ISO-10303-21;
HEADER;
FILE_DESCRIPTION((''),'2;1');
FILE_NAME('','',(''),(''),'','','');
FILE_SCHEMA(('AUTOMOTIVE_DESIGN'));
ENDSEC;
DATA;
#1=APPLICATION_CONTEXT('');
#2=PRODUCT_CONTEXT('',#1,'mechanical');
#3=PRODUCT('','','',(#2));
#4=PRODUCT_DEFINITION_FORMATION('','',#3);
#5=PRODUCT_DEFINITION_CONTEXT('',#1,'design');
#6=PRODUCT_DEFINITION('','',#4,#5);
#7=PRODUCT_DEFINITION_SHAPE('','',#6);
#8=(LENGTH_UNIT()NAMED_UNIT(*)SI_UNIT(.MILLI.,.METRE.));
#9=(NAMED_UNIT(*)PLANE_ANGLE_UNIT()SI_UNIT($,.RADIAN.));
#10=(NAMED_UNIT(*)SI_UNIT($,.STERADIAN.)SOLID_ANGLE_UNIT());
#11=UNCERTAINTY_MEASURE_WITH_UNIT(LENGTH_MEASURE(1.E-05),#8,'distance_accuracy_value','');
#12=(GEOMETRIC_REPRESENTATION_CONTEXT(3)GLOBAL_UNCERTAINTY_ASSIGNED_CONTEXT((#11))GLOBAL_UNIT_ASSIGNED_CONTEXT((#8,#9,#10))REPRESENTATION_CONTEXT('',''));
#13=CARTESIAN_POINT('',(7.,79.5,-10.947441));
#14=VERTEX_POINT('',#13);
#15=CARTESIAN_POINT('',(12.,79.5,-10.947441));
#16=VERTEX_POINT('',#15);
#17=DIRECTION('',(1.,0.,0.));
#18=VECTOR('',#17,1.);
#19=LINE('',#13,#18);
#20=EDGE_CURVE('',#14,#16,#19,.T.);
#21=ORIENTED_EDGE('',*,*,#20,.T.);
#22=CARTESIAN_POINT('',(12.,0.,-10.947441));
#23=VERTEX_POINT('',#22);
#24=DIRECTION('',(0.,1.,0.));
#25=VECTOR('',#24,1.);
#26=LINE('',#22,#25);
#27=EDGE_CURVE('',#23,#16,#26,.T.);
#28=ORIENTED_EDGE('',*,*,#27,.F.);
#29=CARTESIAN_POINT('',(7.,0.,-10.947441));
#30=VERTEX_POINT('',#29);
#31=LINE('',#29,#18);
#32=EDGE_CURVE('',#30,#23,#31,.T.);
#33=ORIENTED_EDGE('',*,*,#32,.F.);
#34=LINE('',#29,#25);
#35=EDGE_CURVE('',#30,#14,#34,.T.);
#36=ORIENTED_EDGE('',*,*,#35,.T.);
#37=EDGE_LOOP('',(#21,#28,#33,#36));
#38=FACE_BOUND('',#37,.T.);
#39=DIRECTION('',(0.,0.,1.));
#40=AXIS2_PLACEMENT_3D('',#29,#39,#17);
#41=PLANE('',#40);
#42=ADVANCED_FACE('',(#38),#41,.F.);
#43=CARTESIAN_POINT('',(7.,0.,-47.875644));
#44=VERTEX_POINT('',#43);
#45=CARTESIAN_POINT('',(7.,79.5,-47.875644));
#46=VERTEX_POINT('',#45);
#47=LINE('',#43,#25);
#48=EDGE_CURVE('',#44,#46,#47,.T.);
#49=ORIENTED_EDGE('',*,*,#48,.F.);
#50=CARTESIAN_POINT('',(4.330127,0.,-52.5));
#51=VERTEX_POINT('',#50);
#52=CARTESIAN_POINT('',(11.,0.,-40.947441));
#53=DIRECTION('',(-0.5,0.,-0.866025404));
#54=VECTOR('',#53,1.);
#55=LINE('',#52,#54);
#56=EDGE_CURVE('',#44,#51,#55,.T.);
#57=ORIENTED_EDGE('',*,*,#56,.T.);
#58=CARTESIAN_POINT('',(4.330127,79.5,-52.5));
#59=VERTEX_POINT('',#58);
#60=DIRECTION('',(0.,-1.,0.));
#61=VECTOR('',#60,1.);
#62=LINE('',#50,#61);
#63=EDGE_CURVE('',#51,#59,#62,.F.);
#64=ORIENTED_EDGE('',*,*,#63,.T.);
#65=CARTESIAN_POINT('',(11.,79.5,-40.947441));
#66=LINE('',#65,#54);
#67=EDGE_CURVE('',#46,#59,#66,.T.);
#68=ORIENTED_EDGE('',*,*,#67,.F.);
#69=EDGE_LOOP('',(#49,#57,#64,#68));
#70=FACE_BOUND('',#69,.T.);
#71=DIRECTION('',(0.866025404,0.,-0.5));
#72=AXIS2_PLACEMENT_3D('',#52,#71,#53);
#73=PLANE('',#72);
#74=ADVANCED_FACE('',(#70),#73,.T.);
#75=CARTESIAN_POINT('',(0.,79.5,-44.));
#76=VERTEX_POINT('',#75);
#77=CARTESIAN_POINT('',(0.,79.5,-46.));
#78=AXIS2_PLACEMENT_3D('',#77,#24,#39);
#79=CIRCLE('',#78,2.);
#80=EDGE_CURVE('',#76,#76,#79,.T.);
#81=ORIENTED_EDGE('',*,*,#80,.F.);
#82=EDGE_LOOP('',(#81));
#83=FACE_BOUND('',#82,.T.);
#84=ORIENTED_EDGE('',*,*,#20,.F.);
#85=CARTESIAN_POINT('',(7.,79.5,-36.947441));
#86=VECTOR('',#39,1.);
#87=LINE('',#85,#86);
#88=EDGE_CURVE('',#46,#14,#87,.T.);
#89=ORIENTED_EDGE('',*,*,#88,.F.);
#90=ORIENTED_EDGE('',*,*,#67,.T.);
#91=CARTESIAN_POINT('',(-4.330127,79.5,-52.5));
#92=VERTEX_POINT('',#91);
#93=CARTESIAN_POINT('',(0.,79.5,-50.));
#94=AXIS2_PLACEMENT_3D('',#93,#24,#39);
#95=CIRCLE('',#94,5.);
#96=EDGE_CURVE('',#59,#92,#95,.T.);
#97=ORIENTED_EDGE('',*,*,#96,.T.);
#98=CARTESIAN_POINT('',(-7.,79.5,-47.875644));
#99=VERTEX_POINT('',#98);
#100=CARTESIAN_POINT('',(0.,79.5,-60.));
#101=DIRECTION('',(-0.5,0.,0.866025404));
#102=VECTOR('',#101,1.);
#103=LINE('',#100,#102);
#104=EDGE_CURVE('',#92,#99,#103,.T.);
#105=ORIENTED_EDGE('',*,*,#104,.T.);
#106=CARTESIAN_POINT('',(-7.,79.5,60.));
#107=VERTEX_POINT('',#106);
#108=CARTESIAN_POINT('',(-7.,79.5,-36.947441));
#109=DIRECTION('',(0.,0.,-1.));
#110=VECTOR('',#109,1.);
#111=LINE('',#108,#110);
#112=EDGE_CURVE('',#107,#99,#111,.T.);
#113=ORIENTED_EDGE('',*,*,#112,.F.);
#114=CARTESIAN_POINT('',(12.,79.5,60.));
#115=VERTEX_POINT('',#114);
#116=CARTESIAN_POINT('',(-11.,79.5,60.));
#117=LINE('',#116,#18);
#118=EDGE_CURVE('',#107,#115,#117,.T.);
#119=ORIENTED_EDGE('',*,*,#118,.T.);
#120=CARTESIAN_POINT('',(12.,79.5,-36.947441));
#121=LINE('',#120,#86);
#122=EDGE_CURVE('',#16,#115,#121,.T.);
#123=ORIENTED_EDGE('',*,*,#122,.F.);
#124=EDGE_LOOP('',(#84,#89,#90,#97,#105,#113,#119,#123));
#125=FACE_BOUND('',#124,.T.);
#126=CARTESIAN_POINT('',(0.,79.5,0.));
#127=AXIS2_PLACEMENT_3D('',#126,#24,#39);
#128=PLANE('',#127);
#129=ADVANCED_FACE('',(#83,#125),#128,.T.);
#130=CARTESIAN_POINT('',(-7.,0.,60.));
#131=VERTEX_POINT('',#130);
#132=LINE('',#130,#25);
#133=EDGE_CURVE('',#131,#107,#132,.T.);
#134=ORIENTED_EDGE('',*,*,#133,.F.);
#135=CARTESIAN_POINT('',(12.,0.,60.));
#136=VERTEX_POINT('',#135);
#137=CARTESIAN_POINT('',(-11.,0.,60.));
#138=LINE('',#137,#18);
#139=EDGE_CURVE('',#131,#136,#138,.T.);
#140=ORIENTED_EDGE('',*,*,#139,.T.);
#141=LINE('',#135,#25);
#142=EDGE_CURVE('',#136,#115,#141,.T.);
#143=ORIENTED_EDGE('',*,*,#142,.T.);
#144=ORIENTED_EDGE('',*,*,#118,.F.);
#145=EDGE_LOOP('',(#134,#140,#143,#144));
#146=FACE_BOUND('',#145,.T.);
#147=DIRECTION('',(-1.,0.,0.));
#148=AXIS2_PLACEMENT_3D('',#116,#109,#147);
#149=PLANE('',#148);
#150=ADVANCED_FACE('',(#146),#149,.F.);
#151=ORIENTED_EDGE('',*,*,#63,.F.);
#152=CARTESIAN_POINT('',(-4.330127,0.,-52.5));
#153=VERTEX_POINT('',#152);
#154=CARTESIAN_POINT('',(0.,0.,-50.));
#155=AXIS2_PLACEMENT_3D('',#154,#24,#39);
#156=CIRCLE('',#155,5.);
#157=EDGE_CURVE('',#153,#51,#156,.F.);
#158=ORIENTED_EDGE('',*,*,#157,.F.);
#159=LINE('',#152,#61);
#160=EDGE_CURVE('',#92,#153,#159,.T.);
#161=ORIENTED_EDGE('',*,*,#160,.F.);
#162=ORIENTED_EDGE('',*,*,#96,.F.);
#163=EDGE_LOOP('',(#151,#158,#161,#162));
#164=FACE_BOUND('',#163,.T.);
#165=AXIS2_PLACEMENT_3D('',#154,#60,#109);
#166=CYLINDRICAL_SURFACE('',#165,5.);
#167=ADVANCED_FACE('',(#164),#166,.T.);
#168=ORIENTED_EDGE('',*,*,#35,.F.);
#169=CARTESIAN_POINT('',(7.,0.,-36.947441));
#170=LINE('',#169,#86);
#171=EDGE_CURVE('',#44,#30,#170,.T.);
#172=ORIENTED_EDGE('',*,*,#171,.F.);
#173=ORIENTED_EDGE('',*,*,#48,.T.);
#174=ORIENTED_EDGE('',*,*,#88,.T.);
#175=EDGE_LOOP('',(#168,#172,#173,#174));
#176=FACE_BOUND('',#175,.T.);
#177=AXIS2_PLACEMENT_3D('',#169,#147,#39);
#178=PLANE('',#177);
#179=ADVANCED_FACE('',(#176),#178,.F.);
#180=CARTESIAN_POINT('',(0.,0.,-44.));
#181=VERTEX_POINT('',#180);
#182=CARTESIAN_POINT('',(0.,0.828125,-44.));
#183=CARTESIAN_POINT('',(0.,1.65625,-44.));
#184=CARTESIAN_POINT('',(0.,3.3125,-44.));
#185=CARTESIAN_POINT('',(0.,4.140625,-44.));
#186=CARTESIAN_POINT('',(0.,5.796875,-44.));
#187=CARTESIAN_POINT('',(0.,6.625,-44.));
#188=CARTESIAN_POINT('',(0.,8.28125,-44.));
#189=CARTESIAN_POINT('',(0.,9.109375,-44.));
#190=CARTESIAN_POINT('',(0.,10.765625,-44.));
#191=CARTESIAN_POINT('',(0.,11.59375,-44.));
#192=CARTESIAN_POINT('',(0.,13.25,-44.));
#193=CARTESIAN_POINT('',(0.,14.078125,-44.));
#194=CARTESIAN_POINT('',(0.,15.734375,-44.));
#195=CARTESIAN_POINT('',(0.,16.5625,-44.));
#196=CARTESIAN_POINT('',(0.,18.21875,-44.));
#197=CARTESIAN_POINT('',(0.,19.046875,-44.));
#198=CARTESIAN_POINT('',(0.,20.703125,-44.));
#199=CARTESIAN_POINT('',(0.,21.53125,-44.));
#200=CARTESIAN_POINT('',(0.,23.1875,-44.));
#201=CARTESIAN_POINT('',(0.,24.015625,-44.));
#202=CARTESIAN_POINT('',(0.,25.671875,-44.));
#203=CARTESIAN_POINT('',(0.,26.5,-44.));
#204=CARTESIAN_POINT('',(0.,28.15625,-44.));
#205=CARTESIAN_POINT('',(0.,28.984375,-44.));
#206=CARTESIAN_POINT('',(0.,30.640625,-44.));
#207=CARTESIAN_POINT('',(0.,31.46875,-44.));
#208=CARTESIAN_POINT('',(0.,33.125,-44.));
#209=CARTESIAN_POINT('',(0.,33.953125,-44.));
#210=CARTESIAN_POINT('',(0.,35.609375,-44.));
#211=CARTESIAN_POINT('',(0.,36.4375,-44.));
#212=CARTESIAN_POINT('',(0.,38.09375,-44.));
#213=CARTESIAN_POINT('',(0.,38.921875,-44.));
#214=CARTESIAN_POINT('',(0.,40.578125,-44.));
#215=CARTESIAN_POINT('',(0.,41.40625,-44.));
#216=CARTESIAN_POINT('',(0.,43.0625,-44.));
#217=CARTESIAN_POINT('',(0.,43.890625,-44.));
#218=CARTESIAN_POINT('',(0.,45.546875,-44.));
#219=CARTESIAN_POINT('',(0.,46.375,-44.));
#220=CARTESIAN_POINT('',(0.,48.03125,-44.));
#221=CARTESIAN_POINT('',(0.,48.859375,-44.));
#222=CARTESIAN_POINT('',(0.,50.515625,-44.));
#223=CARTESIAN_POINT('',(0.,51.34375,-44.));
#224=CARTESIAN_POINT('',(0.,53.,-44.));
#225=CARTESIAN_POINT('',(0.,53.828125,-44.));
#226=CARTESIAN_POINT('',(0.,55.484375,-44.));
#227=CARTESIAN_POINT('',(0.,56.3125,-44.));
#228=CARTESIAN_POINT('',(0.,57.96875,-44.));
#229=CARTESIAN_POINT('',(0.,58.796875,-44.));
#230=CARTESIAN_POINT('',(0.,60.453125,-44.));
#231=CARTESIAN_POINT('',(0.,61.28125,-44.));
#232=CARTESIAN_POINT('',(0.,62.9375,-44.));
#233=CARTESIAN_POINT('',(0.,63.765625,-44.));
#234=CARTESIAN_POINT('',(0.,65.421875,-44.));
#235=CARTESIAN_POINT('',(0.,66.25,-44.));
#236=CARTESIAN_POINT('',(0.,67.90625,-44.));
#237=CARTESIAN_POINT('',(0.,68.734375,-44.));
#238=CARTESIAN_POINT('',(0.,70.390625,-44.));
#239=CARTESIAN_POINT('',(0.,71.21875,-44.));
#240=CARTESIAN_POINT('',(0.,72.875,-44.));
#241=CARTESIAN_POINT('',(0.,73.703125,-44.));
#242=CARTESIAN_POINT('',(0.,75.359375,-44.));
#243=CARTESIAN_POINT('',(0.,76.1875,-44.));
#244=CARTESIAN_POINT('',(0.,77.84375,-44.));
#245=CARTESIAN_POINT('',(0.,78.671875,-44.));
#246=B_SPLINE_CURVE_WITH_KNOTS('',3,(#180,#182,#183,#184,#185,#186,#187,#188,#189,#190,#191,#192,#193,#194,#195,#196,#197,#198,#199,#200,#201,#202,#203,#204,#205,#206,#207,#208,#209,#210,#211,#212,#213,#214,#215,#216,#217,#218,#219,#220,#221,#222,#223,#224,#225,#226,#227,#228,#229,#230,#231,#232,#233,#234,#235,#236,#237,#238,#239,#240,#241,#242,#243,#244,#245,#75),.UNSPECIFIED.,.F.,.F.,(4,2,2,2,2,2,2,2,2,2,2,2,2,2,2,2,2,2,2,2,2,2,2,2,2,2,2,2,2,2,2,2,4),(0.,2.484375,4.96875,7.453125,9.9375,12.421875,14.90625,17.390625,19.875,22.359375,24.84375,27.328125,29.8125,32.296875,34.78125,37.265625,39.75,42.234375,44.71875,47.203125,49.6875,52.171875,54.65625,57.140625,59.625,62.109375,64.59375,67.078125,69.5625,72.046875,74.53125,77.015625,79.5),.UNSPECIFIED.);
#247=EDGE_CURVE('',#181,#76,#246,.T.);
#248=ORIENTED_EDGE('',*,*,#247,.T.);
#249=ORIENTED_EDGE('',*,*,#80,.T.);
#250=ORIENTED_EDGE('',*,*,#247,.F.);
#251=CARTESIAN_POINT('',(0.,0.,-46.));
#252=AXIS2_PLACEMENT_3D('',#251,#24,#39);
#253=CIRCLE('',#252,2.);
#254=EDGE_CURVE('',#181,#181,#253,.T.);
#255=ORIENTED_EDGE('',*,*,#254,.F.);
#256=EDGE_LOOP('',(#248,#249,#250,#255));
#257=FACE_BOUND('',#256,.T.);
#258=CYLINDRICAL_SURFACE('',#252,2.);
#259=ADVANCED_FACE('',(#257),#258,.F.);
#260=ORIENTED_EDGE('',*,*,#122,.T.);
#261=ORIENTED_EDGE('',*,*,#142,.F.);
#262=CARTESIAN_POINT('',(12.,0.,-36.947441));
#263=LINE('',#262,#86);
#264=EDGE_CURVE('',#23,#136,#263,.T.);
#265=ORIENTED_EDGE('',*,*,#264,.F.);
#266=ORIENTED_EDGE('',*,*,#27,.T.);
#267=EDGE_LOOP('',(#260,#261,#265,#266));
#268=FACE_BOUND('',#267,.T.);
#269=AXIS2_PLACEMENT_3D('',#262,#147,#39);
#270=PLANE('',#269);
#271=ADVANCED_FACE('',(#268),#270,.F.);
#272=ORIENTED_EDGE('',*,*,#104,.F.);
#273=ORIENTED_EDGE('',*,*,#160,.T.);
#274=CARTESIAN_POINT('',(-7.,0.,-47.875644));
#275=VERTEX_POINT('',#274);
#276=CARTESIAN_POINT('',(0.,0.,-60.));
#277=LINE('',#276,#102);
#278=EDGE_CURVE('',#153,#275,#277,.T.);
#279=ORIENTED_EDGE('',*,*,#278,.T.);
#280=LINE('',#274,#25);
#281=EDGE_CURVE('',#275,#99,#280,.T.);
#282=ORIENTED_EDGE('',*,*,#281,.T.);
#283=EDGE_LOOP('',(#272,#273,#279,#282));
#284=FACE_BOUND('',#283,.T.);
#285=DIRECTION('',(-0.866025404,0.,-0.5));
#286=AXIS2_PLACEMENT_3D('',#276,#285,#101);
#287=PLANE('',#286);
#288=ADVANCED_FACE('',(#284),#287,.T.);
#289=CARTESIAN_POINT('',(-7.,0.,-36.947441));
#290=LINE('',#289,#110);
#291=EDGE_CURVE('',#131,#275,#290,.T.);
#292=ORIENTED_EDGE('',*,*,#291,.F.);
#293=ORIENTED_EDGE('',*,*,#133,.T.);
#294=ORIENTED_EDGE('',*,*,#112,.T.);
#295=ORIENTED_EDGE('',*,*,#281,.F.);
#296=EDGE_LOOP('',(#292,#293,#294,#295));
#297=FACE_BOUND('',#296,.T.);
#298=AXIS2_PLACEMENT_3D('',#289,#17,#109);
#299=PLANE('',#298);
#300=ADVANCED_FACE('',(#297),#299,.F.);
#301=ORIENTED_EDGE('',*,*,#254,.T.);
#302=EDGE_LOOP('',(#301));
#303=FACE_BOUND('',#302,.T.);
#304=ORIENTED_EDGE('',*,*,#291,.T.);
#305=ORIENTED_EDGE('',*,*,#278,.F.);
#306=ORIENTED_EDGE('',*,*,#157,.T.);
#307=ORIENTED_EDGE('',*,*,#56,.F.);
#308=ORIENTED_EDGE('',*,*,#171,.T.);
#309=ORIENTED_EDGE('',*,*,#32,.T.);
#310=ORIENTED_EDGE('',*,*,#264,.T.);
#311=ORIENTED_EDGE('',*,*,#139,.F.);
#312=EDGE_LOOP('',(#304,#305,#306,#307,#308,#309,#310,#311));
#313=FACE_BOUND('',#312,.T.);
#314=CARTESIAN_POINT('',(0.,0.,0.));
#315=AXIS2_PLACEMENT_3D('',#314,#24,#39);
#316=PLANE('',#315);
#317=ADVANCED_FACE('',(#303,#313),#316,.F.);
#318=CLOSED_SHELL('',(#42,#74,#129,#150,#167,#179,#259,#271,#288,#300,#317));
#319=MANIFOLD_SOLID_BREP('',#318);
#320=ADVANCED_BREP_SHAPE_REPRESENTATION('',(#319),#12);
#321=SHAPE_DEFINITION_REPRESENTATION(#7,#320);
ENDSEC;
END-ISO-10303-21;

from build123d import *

# Parameters (mm, degrees)
SKETCH1_W           = 22
SKETCH1_H           = 120
BOSS_EXTRUDE1_DEPTH = 79.5
SKETCH2_OUTSIDE_W   = 53.124
SKETCH2_OUTSIDE_H   = 151.124
CUT_EXTRUDE1_DEPTH  = 101.206037742
FILLET1_R           = 5
CUT_EXTRUDE2_DEPTH  = 101.206037742
SKETCH4_W           = 96.947441117
SKETCH4_H           = 79.5
BOSS_EXTRUDE2_DEPTH = 5
SKETCH5_W           = 4
SKETCH5_H           = 96.947441117
CUT_EXTRUDE3_DEPTH  = 101.877400839
SKETCH6_W           = 4
SKETCH6_H           = 96.947441117
CUT_EXTRUDE4_DEPTH  = 101.877400839
SKETCH7_R           = 2
CUT_EXTRUDE5_DEPTH  = 101.320735643
SKETCH8_W           = 5
SKETCH8_H           = 26
CUT_EXTRUDE6_DEPTH  = 101.320735643


with BuildPart() as part:
    # Sketch1 → Boss-Extrude1 (new body)
    with BuildSketch(Plane(origin=(0, 0, 0), x_dir=(1, 0, 0), z_dir=(0, 1, 0))):
        Rectangle(SKETCH1_W, SKETCH1_H)
    extrude(amount=BOSS_EXTRUDE1_DEPTH)

    # Sketch2 outside → Cut-Extrude1 (cut, through all)
    with BuildSketch(Plane(origin=(0, 79.5, 0), x_dir=(1, 0, 0), z_dir=(0, 1, 0))):
        Rectangle(SKETCH2_OUTSIDE_W, SKETCH2_OUTSIDE_H)
        Polygon((0, 60), (-11, 40.947441117), (-11, -60), (11, -60), (11, 40.947441117), align=None, mode=Mode.SUBTRACT)
    extrude(amount=-CUT_EXTRUDE1_DEPTH, mode=Mode.SUBTRACT)

    # Fillet1
    fillet1_edges = [part.edges().sort_by_distance(p)[0] for p in [
        (0, 39.75, -60),
    ]]
    fillet(fillet1_edges, radius=FILLET1_R)

    # Sketch3 → Cut-Extrude2 (cut, through all)
    with BuildSketch(Plane(origin=(0, 79.5, 0), x_dir=(1, 0, 0), z_dir=(0, 1, 0))):
        Polygon((-11, 36.947441117), (-7, 36.947441117), (-7, 47.875644347), (-11, 40.947441117), align=None)
        Polygon((7, 47.875644347), (11, 40.947441117), (11, 36.947441117), (7, 36.947441117), align=None)
    extrude(amount=-CUT_EXTRUDE2_DEPTH, mode=Mode.SUBTRACT)

    # Sketch4 → Boss-Extrude2 (add)
    with BuildSketch(Plane(origin=(11, 0, 0), x_dir=(0, 0, -1), z_dir=(1, 0, 0))):
        with Locations((-11.526279442, 39.75)):
            Rectangle(SKETCH4_W, SKETCH4_H)
    extrude(amount=BOSS_EXTRUDE2_DEPTH)

    # Sketch5 → Cut-Extrude3 (cut, through all)
    with BuildSketch(Plane(origin=(0, 79.5, 0), x_dir=(1, 0, 0), z_dir=(0, 1, 0))):
        with Locations((-9, -11.526279442)):
            Rectangle(SKETCH5_W, SKETCH5_H)
    extrude(amount=-CUT_EXTRUDE3_DEPTH, mode=Mode.SUBTRACT)

    # Sketch6 → Cut-Extrude4 (cut, through all)
    with BuildSketch(Plane(origin=(0, 79.5, 0), x_dir=(1, 0, 0), z_dir=(0, 1, 0))):
        with Locations((14, -11.526279442)):
            Rectangle(SKETCH6_W, SKETCH6_H)
    extrude(amount=-CUT_EXTRUDE4_DEPTH, mode=Mode.SUBTRACT)

    # Sketch7 → Cut-Extrude5 (cut, through all)
    with BuildSketch(Plane(origin=(0, 79.5, 0), x_dir=(1, 0, 0), z_dir=(0, 1, 0))):
        with Locations(Location((0, 46, 0), (0, 0, 270))):
            Circle(SKETCH7_R)
    extrude(amount=-CUT_EXTRUDE5_DEPTH, mode=Mode.SUBTRACT)

    # Sketch8 → Cut-Extrude6 (cut, through all)
    with BuildSketch(Plane(origin=(0, 79.5, 0), x_dir=(1, 0, 0), z_dir=(0, 1, 0))):
        with Locations((9.5, 23.947441117)):
            Rectangle(SKETCH8_W, SKETCH8_H)
    extrude(amount=-CUT_EXTRUDE6_DEPTH, mode=Mode.SUBTRACT)


solid = part.part
